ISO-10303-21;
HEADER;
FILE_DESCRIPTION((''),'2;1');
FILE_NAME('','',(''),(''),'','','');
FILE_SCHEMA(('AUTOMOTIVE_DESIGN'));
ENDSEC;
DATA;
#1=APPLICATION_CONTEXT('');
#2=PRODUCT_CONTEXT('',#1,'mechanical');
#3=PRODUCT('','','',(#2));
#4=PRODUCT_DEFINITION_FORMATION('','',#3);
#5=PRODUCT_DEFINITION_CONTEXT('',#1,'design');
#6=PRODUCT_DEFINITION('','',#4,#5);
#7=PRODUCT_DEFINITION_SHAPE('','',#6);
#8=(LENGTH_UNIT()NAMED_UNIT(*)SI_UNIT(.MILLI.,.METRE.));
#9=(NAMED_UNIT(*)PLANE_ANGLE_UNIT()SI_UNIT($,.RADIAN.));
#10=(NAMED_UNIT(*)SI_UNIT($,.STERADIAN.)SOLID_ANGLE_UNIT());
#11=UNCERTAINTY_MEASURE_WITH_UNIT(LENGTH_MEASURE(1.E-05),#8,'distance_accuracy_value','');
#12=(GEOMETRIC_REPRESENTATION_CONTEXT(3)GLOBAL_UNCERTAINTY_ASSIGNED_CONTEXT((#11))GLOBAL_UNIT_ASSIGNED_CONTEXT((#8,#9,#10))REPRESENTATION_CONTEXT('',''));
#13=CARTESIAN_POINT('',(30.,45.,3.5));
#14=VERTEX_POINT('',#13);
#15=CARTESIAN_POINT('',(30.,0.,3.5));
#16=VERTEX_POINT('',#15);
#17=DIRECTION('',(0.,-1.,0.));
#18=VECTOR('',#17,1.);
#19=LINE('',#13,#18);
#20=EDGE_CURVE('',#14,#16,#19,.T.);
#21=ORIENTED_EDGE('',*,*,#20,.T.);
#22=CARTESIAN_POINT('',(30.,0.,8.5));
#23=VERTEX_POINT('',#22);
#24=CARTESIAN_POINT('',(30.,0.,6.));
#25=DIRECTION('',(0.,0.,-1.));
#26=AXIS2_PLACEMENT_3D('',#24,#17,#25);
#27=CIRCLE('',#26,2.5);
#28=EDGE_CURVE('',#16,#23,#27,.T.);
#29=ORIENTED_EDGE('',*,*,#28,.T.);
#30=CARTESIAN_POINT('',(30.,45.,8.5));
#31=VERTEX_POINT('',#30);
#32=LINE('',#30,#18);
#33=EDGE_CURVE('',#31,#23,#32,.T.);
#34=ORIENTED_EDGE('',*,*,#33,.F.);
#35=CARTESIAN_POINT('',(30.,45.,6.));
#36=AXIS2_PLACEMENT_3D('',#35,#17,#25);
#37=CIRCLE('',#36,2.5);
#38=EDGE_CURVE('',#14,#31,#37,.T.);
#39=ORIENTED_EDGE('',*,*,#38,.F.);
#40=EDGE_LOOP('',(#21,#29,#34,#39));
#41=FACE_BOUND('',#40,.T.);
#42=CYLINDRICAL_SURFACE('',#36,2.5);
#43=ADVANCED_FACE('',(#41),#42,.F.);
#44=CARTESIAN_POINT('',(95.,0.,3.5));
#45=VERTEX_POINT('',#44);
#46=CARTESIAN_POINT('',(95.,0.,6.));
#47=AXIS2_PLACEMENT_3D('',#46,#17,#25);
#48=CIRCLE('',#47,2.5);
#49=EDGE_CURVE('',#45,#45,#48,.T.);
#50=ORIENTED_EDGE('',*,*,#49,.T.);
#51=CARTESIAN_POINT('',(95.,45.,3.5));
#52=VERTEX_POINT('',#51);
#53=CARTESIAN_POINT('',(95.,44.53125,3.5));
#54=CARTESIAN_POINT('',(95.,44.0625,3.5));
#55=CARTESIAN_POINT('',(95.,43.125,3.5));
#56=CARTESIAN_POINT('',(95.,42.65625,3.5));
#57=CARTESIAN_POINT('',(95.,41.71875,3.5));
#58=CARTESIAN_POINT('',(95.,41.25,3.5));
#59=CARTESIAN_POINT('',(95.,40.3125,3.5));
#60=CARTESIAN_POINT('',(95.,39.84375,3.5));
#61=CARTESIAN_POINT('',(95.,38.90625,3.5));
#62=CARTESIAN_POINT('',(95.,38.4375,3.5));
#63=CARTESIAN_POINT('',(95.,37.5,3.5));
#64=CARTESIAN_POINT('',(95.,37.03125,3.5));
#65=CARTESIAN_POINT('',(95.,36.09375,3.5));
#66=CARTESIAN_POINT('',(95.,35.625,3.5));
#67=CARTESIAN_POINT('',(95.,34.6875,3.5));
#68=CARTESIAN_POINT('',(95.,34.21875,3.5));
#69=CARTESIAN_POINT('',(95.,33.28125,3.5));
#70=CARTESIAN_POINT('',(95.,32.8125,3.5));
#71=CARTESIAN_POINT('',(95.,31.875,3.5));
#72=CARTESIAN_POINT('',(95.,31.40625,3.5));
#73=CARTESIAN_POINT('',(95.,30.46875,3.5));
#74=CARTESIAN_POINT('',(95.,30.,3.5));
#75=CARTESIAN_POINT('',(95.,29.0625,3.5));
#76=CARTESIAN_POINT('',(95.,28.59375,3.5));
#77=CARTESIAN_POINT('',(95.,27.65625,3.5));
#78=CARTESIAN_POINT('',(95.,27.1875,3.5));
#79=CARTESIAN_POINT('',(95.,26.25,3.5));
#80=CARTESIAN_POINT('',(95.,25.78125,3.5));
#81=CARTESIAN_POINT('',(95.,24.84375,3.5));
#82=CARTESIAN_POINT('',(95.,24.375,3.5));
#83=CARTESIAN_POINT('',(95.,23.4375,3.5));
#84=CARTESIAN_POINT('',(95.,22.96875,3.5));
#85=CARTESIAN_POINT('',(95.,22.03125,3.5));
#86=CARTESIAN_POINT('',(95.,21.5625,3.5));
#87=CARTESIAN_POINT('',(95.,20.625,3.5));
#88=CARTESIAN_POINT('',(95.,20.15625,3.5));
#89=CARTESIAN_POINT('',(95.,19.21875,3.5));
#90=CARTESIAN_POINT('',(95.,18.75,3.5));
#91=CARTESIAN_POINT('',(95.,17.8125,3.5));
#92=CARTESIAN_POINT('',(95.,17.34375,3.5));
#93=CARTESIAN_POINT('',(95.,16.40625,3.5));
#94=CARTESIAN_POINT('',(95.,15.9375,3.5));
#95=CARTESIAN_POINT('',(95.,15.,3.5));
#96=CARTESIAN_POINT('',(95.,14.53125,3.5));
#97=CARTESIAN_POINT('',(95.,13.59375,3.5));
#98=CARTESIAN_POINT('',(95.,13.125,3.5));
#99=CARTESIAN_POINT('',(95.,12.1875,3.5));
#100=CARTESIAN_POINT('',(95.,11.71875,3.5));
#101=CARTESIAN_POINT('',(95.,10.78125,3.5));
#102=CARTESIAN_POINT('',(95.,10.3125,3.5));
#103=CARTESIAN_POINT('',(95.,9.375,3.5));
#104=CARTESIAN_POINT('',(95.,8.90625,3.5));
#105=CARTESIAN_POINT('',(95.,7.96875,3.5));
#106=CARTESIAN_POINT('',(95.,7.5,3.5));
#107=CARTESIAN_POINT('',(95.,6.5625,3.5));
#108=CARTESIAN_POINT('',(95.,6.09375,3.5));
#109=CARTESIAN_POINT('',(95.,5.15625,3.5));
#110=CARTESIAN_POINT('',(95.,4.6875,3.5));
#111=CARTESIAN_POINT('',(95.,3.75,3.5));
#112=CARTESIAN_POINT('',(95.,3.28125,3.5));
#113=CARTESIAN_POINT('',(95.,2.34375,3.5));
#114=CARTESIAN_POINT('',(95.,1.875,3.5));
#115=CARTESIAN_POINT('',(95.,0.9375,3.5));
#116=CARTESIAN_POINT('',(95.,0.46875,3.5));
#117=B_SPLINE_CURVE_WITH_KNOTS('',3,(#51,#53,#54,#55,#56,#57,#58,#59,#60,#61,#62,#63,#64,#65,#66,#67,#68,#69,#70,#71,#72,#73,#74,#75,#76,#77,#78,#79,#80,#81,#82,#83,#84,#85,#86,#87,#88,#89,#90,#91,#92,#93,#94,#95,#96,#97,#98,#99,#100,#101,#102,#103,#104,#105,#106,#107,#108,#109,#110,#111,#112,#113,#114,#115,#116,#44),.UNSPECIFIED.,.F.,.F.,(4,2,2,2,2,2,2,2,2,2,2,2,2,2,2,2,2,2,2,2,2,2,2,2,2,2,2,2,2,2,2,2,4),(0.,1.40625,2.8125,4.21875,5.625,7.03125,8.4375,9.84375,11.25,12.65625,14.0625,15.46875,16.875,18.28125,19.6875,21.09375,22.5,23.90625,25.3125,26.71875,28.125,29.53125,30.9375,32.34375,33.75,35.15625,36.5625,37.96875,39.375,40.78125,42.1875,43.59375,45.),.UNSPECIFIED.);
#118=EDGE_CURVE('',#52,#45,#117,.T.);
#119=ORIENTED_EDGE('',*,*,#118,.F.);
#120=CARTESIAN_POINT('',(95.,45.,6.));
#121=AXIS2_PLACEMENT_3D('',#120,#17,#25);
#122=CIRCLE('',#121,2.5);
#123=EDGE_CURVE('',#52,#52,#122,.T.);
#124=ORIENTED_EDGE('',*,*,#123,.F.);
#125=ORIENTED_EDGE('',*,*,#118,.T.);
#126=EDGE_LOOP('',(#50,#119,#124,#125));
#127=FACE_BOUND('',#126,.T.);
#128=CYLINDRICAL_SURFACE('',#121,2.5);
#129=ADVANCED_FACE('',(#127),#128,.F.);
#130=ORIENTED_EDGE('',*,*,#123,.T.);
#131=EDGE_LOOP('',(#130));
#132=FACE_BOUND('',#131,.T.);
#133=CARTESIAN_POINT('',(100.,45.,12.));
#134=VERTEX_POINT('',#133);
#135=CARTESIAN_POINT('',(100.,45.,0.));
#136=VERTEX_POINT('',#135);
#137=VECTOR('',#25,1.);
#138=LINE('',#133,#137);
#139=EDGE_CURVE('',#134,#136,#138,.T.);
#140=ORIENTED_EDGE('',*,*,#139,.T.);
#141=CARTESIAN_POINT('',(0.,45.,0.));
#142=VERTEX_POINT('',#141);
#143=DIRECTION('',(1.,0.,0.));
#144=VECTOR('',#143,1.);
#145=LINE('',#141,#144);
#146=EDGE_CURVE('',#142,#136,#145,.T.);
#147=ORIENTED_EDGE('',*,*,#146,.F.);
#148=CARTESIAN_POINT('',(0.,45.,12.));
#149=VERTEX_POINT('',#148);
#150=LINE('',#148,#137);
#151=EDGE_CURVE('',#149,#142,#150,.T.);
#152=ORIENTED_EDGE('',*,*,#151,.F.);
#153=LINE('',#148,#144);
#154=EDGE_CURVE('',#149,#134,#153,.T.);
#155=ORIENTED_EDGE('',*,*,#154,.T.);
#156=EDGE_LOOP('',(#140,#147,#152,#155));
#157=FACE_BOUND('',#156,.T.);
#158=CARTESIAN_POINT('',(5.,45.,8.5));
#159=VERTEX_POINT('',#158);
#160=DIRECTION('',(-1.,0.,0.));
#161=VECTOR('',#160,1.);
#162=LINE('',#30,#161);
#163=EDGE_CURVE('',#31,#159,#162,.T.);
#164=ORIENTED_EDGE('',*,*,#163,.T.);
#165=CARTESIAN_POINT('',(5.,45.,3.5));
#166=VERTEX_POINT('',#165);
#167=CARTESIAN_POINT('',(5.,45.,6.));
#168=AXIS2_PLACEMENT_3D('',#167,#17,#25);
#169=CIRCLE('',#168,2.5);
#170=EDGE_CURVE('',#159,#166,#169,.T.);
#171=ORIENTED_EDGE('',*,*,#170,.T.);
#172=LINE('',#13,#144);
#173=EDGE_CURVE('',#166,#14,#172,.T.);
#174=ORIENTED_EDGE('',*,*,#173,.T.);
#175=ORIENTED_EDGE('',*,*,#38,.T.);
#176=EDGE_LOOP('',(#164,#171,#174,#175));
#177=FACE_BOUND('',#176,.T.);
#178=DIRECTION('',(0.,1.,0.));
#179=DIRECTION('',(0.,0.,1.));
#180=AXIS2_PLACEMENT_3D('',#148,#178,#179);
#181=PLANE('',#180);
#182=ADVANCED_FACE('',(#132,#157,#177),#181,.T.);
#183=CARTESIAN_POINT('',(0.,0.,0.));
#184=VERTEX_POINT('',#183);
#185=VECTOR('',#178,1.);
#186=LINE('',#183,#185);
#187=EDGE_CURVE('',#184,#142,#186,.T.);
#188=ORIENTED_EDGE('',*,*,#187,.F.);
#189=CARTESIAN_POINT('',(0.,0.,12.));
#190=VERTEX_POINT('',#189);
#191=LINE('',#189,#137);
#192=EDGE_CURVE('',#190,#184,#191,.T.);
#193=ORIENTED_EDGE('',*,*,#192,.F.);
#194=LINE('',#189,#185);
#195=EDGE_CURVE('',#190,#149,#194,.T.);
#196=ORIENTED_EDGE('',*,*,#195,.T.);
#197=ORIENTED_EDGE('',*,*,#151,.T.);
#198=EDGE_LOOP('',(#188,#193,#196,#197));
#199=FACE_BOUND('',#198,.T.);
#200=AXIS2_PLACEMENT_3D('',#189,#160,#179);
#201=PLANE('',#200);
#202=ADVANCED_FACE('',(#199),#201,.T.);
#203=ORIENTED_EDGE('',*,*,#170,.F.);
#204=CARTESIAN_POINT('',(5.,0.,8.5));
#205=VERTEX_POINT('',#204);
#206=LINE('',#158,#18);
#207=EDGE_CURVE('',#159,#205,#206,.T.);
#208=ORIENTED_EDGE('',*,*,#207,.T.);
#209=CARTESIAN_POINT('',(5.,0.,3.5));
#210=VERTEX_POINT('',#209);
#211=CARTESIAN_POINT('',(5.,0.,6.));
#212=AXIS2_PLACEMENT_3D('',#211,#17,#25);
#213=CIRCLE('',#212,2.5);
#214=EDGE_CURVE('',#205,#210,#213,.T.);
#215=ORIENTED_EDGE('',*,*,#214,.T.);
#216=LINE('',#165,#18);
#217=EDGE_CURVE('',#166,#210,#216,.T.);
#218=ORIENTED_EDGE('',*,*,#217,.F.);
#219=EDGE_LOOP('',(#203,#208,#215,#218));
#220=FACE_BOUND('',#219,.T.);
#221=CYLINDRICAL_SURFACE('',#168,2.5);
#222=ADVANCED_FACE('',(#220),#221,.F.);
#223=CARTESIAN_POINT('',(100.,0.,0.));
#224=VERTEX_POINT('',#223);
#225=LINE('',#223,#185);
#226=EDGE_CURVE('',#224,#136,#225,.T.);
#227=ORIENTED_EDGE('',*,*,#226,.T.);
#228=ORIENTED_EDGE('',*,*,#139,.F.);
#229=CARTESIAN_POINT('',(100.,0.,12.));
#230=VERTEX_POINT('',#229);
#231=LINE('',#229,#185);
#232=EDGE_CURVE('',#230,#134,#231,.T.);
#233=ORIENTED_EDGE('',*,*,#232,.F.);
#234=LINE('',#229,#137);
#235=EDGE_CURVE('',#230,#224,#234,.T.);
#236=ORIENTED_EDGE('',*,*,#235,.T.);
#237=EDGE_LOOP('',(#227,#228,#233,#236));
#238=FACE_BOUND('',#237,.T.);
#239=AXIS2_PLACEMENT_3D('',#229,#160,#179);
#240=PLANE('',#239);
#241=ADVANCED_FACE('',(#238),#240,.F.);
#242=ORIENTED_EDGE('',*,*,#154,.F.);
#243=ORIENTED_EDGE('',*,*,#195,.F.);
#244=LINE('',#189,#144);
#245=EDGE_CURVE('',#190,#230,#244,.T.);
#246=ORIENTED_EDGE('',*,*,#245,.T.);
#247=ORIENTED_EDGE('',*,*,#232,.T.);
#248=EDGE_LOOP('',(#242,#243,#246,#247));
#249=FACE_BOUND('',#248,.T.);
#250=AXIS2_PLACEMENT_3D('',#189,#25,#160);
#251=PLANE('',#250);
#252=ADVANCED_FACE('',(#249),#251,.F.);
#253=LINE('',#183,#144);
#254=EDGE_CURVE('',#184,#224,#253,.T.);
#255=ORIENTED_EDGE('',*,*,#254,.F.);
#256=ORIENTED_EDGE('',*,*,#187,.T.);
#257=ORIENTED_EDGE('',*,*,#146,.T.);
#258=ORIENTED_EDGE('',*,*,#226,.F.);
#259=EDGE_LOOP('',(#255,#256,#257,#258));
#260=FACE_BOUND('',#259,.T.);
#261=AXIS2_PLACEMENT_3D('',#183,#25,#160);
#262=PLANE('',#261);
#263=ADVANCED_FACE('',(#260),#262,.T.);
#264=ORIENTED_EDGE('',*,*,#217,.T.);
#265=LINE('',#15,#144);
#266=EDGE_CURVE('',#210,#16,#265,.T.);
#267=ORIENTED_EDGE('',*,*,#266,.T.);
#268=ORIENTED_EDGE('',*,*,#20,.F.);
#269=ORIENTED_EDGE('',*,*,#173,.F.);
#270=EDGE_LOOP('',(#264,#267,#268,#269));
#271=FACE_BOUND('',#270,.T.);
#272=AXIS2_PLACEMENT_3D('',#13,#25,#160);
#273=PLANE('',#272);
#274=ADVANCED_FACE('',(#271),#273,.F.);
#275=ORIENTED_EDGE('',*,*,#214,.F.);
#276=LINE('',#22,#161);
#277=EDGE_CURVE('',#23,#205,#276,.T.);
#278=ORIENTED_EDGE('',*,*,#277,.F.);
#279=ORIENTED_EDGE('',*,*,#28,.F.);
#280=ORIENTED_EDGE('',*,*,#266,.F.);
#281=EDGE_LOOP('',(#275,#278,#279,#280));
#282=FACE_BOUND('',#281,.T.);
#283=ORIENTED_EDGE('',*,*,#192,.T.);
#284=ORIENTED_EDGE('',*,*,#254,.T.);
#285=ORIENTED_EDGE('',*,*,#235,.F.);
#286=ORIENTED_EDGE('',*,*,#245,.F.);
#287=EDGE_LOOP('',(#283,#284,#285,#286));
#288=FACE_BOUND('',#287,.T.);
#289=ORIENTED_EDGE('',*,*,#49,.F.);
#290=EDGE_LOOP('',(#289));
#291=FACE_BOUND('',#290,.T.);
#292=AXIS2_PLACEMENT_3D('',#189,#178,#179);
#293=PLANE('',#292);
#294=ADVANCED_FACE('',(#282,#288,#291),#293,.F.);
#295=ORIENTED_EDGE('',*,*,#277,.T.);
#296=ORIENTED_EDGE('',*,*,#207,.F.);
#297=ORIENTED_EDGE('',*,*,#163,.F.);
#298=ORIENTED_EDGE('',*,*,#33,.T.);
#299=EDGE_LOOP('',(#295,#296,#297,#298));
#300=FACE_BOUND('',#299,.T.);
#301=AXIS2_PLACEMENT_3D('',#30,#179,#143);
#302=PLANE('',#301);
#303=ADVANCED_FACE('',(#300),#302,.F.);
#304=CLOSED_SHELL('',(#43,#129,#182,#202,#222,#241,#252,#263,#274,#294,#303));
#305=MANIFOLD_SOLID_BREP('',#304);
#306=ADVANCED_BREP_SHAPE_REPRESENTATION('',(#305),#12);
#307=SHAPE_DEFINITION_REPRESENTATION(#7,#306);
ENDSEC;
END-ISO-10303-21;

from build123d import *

# Parameters (mm, degrees)
SKETCH3_W           = 100
SKETCH3_H           = 45
BOSS_EXTRUDE2_DEPTH = 12
SKETCH4_R           = 2.5
CUT_EXTRUDE1_DEPTH  = 111.313190508


with BuildPart() as part:
    # Sketch3 → Boss-Extrude2 (new body)
    with BuildSketch(Plane.XY):
        with Locations((50, 22.5)):
            Rectangle(SKETCH3_W, SKETCH3_H)
    extrude(amount=BOSS_EXTRUDE2_DEPTH)

    # Sketch4 → Cut-Extrude1 (cut, through all)
    with BuildSketch(Plane.XZ):
        with Locations(Location((95, 6, 0), (0, 0, 270))):
            Circle(SKETCH4_R)
        with BuildLine():
            Line((30, 3.5), (5, 3.5))
            ThreePointArc((5, 3.5), (2.5, 6), (5, 8.5))
            Line((5, 8.5), (30, 8.5))
            ThreePointArc((30, 8.5), (32.5, 6), (30, 3.5))
        make_face()
    extrude(amount=-CUT_EXTRUDE1_DEPTH, mode=Mode.SUBTRACT)


solid = part.part
